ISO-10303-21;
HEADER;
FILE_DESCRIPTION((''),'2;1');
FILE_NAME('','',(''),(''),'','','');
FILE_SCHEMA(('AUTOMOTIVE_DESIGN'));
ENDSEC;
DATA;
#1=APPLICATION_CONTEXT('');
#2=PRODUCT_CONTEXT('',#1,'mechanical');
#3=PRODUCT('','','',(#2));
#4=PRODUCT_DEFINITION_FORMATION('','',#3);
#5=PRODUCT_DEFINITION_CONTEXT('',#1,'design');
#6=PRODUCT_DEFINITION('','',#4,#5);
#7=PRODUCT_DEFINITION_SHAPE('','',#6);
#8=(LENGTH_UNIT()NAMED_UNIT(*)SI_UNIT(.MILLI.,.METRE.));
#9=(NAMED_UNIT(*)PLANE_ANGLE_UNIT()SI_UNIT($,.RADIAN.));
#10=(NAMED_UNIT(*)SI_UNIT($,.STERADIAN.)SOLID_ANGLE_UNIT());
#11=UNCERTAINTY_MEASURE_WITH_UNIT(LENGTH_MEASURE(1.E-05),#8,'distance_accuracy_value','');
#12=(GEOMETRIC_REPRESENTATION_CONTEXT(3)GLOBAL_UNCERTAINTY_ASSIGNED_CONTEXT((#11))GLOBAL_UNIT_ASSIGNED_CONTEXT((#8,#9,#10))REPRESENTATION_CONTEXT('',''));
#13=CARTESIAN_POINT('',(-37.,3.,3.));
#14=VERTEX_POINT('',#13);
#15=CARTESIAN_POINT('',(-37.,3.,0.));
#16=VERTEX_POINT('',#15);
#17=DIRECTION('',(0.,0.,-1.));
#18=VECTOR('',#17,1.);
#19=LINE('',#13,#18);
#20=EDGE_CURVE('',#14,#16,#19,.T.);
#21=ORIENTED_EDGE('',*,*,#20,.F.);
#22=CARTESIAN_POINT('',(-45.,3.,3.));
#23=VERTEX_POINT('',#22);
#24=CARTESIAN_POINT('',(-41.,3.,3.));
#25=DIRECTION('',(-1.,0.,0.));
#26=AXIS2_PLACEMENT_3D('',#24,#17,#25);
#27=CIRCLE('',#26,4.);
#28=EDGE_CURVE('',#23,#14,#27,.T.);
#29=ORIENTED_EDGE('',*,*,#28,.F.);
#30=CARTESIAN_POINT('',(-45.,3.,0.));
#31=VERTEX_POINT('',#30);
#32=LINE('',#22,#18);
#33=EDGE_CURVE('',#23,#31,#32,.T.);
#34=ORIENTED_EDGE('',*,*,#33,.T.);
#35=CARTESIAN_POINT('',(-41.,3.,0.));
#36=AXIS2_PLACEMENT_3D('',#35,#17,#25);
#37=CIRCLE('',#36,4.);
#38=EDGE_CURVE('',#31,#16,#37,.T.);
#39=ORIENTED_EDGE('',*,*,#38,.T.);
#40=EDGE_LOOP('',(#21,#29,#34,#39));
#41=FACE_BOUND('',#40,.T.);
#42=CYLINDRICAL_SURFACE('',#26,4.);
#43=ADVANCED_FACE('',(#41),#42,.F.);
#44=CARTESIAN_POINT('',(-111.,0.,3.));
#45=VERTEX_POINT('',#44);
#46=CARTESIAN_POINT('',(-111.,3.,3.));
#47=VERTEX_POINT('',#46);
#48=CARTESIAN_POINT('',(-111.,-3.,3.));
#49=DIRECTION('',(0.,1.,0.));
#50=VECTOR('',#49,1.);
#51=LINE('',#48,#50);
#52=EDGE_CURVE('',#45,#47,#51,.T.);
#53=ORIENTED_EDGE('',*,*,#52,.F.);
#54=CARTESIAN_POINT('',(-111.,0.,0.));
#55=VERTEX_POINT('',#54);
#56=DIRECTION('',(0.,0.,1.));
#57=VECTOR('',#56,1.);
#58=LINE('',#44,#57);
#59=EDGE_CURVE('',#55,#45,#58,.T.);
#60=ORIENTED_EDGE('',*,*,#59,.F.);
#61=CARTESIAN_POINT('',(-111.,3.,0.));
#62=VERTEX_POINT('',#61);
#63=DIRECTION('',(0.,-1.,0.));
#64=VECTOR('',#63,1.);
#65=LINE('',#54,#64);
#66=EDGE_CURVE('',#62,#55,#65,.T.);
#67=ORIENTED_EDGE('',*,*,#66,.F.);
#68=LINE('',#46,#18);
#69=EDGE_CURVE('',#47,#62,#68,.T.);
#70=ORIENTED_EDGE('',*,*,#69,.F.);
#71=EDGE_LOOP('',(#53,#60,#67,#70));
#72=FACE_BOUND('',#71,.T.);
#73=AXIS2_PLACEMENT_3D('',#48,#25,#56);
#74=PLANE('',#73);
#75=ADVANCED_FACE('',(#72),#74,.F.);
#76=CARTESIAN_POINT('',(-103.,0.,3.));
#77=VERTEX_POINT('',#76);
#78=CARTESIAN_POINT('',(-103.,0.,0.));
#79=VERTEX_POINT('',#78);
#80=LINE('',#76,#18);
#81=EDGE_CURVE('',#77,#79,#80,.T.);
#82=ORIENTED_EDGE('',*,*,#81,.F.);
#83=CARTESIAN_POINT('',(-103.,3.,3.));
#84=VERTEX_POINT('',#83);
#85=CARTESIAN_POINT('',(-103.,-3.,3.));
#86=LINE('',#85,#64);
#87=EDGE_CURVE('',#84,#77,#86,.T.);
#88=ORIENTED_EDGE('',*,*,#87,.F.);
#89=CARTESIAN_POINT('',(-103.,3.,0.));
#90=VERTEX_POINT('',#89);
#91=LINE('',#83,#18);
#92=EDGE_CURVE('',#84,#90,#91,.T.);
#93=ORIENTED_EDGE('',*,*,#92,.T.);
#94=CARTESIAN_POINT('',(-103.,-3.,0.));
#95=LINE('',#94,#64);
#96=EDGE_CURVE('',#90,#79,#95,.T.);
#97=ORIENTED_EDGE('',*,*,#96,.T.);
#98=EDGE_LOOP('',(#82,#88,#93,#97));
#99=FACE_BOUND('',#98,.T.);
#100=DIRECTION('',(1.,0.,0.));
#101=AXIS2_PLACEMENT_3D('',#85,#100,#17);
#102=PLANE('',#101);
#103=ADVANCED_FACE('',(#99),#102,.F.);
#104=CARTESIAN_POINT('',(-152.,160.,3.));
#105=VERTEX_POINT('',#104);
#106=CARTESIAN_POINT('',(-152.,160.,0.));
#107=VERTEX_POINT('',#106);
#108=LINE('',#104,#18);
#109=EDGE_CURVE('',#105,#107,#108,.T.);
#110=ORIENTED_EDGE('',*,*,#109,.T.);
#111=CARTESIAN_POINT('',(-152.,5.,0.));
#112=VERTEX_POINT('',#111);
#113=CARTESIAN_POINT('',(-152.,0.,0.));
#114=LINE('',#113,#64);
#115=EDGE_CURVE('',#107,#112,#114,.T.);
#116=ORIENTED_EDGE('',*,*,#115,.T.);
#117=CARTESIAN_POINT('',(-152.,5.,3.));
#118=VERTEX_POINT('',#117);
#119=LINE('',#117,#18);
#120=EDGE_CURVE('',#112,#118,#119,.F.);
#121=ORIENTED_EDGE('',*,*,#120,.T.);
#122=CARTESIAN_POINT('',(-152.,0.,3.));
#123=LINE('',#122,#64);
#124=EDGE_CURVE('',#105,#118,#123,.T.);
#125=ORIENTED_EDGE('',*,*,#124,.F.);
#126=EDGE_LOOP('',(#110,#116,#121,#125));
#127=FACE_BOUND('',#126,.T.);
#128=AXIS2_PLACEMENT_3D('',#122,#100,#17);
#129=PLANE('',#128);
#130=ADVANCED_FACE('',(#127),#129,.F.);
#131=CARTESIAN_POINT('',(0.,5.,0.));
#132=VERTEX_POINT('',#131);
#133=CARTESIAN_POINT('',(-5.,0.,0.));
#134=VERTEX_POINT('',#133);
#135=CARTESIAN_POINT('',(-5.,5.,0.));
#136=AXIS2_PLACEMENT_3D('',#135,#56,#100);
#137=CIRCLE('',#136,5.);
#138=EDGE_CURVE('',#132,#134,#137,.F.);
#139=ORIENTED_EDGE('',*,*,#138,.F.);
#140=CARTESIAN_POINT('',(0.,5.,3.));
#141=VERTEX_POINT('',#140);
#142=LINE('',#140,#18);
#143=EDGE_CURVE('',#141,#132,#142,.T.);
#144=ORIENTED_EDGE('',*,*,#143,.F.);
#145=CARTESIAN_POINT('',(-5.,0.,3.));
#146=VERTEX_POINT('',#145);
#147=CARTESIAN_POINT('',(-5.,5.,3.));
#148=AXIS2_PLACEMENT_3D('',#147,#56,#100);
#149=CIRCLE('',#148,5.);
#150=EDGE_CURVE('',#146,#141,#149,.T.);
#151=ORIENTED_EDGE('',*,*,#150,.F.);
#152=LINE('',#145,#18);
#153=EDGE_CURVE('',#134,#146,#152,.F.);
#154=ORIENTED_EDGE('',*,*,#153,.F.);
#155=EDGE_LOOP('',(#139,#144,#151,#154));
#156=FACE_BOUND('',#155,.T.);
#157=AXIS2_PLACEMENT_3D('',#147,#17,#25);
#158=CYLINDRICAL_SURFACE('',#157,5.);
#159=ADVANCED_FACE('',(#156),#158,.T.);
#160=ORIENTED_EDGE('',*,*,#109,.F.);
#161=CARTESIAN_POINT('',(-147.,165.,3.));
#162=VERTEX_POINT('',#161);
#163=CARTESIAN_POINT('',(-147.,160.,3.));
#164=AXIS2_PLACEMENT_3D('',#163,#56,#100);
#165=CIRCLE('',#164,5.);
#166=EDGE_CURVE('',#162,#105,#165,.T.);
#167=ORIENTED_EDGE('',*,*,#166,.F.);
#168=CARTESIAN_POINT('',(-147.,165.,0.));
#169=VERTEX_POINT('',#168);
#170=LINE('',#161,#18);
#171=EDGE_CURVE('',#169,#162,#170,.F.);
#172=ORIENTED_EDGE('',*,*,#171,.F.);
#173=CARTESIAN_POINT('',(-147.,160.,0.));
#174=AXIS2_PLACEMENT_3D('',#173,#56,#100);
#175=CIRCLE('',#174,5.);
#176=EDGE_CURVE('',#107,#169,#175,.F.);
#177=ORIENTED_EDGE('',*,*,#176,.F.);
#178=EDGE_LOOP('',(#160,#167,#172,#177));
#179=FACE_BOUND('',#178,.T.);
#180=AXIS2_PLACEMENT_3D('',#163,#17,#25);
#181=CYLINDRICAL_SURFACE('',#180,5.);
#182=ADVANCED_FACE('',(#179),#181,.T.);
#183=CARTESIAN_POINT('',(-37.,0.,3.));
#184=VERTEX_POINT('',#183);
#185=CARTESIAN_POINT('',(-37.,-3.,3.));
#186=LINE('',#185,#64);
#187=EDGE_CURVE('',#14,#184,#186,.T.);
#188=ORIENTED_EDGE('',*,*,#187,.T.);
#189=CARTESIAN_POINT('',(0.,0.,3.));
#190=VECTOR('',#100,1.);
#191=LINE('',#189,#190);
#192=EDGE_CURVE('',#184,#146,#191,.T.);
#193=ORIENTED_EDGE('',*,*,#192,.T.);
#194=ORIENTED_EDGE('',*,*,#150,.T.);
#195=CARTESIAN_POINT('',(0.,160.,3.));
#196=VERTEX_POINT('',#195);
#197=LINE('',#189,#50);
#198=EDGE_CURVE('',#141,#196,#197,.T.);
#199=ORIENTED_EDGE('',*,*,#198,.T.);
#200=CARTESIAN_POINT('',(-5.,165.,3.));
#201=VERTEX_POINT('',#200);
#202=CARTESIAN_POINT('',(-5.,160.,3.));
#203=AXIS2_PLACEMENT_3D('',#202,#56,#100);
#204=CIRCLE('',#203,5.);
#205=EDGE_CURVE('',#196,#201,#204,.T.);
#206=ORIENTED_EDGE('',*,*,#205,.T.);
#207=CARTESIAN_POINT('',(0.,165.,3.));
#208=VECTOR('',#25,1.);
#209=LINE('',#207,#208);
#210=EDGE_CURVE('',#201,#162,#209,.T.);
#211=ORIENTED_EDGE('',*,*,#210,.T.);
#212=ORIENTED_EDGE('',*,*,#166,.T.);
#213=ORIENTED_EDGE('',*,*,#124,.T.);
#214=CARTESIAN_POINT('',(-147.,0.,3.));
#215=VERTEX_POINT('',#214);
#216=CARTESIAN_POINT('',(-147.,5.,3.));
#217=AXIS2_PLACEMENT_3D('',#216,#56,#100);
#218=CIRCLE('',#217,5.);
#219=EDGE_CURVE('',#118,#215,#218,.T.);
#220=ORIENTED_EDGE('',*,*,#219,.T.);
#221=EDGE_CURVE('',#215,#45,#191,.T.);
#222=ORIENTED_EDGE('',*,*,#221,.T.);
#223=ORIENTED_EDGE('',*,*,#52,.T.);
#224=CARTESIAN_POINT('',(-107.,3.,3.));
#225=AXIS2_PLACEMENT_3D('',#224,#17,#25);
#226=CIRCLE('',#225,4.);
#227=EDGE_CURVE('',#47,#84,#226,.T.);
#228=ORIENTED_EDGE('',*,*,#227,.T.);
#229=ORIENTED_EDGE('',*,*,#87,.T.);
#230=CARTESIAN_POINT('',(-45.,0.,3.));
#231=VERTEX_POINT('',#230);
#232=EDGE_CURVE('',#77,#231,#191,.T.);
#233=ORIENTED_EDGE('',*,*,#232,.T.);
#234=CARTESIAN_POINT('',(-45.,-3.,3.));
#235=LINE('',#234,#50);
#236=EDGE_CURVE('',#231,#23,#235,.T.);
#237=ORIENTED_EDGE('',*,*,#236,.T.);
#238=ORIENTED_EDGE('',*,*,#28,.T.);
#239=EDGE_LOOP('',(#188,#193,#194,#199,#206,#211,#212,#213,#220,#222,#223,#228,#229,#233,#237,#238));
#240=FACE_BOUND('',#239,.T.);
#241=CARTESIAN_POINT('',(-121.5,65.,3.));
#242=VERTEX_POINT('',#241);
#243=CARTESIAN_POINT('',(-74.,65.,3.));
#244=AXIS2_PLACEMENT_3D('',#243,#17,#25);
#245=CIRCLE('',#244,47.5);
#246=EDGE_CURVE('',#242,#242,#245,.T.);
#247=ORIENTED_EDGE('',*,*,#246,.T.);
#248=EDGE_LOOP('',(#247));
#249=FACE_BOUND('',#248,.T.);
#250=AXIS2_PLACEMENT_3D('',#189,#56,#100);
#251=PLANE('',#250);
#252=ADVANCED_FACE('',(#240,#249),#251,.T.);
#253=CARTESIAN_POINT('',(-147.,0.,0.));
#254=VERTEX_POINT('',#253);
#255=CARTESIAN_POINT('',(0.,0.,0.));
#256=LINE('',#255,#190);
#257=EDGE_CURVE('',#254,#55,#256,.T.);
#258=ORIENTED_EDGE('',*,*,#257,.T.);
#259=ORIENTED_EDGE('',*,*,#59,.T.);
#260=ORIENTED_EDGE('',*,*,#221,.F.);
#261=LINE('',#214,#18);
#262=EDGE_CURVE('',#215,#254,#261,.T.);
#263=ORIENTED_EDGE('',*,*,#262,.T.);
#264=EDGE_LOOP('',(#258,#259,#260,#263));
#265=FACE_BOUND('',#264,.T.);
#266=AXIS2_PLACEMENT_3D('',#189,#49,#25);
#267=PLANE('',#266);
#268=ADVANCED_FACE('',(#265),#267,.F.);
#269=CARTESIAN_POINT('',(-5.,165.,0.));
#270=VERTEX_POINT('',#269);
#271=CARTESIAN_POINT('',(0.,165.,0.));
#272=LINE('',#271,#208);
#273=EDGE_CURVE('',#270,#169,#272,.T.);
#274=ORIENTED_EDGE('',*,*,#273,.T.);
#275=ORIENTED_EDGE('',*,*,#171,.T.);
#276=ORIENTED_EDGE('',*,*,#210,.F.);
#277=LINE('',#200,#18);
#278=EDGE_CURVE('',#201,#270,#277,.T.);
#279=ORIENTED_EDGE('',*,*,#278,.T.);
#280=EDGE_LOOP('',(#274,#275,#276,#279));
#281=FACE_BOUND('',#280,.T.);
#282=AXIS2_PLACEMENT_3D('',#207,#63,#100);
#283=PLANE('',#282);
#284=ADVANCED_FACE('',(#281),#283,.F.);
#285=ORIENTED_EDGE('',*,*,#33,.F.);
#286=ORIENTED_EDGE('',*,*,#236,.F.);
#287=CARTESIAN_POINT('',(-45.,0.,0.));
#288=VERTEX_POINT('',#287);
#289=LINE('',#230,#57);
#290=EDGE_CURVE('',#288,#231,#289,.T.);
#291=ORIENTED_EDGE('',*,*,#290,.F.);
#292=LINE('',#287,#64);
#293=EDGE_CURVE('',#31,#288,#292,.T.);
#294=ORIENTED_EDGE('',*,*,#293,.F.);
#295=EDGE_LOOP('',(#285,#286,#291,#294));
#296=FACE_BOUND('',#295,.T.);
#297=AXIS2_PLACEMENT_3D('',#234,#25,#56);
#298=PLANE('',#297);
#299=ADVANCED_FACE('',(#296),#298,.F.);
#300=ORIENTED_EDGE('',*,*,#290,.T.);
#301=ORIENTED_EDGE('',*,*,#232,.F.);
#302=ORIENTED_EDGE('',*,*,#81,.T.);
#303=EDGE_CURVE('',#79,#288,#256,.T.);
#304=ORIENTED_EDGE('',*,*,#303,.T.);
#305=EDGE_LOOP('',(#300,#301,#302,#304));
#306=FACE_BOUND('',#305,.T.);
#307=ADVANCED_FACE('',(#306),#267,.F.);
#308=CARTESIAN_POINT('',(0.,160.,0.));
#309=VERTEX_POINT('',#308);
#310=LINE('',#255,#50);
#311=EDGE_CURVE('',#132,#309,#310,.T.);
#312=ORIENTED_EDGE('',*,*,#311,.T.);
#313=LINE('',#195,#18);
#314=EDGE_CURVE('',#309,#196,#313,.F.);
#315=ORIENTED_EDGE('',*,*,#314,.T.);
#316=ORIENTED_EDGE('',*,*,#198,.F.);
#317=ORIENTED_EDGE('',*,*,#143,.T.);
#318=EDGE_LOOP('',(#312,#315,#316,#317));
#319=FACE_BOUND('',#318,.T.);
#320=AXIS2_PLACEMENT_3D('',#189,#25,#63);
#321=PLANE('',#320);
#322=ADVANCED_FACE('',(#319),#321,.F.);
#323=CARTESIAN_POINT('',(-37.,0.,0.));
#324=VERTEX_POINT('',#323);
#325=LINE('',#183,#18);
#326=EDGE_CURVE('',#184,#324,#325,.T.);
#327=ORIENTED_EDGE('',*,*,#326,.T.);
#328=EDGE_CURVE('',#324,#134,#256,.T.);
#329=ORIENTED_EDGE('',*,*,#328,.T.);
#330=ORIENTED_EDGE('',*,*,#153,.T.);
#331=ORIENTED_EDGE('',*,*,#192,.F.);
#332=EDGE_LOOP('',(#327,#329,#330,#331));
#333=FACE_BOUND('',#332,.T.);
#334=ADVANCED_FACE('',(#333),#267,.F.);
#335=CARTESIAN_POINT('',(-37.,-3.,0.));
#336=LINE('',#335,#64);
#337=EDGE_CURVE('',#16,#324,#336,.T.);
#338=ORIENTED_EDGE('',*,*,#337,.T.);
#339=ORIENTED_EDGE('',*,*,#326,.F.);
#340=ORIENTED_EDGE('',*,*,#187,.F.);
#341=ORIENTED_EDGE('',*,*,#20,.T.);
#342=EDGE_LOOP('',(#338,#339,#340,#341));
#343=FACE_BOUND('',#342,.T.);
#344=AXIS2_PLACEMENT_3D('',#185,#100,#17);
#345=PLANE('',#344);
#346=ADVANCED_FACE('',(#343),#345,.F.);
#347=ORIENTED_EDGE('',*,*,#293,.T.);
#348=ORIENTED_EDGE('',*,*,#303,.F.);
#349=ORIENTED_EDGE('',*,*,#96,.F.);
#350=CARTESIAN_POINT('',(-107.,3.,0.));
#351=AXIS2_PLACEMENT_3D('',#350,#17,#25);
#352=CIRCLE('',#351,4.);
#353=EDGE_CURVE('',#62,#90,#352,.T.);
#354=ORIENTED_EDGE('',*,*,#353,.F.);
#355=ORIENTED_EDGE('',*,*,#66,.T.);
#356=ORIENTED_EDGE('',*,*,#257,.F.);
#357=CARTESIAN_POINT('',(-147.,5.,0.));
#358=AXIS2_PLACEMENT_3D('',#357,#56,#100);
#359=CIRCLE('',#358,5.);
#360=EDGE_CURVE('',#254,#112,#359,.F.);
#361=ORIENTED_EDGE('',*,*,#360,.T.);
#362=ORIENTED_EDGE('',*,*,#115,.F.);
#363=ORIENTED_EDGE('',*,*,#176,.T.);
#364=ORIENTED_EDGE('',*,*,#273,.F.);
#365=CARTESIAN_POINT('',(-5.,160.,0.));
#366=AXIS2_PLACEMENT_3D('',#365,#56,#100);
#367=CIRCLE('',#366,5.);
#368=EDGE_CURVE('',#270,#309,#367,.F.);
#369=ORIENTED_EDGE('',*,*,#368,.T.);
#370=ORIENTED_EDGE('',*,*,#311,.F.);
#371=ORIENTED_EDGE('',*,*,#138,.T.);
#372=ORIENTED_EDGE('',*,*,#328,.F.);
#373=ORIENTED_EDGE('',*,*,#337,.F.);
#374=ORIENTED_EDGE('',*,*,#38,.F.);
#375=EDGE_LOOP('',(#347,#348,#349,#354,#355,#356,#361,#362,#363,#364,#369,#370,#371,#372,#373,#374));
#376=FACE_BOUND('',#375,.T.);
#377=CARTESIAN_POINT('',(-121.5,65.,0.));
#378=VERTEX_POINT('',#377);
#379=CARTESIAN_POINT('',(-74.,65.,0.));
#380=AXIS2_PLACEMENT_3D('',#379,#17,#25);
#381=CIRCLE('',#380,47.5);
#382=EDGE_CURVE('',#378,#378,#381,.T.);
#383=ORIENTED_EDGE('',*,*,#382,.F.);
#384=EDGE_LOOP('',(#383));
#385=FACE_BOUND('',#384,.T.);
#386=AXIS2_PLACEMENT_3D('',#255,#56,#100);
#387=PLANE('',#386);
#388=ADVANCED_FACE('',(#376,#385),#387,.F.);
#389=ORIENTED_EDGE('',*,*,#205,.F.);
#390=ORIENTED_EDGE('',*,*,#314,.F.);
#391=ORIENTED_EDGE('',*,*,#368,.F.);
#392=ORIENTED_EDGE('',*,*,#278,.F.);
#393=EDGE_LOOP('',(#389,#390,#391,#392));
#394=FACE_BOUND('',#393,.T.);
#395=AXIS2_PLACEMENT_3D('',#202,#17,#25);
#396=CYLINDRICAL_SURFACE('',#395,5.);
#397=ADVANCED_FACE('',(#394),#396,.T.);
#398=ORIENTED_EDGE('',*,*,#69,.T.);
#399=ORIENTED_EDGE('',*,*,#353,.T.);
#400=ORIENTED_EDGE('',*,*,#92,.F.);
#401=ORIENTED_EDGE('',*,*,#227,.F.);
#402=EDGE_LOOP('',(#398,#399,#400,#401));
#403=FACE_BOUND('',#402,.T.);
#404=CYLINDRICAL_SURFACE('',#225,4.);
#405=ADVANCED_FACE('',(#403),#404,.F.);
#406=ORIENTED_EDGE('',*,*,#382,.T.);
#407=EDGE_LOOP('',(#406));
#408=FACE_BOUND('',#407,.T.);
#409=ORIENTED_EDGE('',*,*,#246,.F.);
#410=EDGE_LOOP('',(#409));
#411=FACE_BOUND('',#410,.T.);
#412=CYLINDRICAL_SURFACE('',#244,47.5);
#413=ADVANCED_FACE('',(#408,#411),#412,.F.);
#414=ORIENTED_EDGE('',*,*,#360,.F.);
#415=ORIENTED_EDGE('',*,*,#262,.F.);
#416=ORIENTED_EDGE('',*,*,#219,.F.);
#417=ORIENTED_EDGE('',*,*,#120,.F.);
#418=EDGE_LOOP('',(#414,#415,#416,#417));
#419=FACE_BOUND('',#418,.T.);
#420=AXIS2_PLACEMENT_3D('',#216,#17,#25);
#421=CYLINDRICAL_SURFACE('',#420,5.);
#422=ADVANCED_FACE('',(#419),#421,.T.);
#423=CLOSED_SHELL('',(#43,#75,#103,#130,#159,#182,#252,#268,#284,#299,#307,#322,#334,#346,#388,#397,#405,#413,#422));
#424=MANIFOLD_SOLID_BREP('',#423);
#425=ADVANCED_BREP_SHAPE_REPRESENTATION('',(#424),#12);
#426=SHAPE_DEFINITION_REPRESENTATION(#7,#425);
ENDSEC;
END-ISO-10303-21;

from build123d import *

# Parameters (mm, degrees)
ESQUISSE1_W             = 152
ESQUISSE1_H             = 165
BOSS_EXTRU_1_DEPTH      = 3
CONG_1_R                = 5
ESQUISSE2_R             = 47.5
ENL_V_MAT_EXTRU_1_DEPTH = 3
ENL_V_MAT_EXTRU_2_DEPTH = 3


with BuildPart() as part:
    # Esquisse1 → Boss.-Extru.1 (new body)
    with BuildSketch(Plane.XY):
        with Locations((-76, 82.5)):
            Rectangle(ESQUISSE1_W, ESQUISSE1_H)
    extrude(amount=BOSS_EXTRU_1_DEPTH)

    # Congé1
    cong_1_edges = [part.edges().sort_by_distance(p)[0] for p in [
        (0, 0, 1.5),
        (-152, 0, 1.5),
        (-152, 165, 1.5),
        (0, 165, 1.5),
    ]]
    fillet(cong_1_edges, radius=CONG_1_R)

    # Esquisse2 → Enlèv. mat.-Extru.1 (cut)
    with BuildSketch(Plane(origin=(0, 0, 0), x_dir=(-1, 0, 0), z_dir=(0, 0, -1))):
        with Locations((74, 65)):
            Circle(ESQUISSE2_R)
    extrude(amount=-ENL_V_MAT_EXTRU_1_DEPTH, mode=Mode.SUBTRACT)

    # Esquisse3 → Enlèv. mat.-Extru.2 (cut)
    with BuildSketch(Plane(origin=(0, 0, 0), x_dir=(-1, 0, 0), z_dir=(0, 0, -1))):
        with BuildLine():
            Line((37, -3), (37, 3))
            ThreePointArc((37, 3), (41, 7), (45, 3))
            Line((45, 3), (45, -3))
            ThreePointArc((45, -3), (41, -7), (37, -3))
        make_face()
        with BuildLine():
            Line((103, -3), (103, 3))
            ThreePointArc((103, 3), (107, 7), (111, 3))
            Line((111, 3), (111, -3))
            ThreePointArc((111, -3), (107, -7), (103, -3))
        make_face()
    extrude(amount=-ENL_V_MAT_EXTRU_2_DEPTH, mode=Mode.SUBTRACT)


solid = part.part
